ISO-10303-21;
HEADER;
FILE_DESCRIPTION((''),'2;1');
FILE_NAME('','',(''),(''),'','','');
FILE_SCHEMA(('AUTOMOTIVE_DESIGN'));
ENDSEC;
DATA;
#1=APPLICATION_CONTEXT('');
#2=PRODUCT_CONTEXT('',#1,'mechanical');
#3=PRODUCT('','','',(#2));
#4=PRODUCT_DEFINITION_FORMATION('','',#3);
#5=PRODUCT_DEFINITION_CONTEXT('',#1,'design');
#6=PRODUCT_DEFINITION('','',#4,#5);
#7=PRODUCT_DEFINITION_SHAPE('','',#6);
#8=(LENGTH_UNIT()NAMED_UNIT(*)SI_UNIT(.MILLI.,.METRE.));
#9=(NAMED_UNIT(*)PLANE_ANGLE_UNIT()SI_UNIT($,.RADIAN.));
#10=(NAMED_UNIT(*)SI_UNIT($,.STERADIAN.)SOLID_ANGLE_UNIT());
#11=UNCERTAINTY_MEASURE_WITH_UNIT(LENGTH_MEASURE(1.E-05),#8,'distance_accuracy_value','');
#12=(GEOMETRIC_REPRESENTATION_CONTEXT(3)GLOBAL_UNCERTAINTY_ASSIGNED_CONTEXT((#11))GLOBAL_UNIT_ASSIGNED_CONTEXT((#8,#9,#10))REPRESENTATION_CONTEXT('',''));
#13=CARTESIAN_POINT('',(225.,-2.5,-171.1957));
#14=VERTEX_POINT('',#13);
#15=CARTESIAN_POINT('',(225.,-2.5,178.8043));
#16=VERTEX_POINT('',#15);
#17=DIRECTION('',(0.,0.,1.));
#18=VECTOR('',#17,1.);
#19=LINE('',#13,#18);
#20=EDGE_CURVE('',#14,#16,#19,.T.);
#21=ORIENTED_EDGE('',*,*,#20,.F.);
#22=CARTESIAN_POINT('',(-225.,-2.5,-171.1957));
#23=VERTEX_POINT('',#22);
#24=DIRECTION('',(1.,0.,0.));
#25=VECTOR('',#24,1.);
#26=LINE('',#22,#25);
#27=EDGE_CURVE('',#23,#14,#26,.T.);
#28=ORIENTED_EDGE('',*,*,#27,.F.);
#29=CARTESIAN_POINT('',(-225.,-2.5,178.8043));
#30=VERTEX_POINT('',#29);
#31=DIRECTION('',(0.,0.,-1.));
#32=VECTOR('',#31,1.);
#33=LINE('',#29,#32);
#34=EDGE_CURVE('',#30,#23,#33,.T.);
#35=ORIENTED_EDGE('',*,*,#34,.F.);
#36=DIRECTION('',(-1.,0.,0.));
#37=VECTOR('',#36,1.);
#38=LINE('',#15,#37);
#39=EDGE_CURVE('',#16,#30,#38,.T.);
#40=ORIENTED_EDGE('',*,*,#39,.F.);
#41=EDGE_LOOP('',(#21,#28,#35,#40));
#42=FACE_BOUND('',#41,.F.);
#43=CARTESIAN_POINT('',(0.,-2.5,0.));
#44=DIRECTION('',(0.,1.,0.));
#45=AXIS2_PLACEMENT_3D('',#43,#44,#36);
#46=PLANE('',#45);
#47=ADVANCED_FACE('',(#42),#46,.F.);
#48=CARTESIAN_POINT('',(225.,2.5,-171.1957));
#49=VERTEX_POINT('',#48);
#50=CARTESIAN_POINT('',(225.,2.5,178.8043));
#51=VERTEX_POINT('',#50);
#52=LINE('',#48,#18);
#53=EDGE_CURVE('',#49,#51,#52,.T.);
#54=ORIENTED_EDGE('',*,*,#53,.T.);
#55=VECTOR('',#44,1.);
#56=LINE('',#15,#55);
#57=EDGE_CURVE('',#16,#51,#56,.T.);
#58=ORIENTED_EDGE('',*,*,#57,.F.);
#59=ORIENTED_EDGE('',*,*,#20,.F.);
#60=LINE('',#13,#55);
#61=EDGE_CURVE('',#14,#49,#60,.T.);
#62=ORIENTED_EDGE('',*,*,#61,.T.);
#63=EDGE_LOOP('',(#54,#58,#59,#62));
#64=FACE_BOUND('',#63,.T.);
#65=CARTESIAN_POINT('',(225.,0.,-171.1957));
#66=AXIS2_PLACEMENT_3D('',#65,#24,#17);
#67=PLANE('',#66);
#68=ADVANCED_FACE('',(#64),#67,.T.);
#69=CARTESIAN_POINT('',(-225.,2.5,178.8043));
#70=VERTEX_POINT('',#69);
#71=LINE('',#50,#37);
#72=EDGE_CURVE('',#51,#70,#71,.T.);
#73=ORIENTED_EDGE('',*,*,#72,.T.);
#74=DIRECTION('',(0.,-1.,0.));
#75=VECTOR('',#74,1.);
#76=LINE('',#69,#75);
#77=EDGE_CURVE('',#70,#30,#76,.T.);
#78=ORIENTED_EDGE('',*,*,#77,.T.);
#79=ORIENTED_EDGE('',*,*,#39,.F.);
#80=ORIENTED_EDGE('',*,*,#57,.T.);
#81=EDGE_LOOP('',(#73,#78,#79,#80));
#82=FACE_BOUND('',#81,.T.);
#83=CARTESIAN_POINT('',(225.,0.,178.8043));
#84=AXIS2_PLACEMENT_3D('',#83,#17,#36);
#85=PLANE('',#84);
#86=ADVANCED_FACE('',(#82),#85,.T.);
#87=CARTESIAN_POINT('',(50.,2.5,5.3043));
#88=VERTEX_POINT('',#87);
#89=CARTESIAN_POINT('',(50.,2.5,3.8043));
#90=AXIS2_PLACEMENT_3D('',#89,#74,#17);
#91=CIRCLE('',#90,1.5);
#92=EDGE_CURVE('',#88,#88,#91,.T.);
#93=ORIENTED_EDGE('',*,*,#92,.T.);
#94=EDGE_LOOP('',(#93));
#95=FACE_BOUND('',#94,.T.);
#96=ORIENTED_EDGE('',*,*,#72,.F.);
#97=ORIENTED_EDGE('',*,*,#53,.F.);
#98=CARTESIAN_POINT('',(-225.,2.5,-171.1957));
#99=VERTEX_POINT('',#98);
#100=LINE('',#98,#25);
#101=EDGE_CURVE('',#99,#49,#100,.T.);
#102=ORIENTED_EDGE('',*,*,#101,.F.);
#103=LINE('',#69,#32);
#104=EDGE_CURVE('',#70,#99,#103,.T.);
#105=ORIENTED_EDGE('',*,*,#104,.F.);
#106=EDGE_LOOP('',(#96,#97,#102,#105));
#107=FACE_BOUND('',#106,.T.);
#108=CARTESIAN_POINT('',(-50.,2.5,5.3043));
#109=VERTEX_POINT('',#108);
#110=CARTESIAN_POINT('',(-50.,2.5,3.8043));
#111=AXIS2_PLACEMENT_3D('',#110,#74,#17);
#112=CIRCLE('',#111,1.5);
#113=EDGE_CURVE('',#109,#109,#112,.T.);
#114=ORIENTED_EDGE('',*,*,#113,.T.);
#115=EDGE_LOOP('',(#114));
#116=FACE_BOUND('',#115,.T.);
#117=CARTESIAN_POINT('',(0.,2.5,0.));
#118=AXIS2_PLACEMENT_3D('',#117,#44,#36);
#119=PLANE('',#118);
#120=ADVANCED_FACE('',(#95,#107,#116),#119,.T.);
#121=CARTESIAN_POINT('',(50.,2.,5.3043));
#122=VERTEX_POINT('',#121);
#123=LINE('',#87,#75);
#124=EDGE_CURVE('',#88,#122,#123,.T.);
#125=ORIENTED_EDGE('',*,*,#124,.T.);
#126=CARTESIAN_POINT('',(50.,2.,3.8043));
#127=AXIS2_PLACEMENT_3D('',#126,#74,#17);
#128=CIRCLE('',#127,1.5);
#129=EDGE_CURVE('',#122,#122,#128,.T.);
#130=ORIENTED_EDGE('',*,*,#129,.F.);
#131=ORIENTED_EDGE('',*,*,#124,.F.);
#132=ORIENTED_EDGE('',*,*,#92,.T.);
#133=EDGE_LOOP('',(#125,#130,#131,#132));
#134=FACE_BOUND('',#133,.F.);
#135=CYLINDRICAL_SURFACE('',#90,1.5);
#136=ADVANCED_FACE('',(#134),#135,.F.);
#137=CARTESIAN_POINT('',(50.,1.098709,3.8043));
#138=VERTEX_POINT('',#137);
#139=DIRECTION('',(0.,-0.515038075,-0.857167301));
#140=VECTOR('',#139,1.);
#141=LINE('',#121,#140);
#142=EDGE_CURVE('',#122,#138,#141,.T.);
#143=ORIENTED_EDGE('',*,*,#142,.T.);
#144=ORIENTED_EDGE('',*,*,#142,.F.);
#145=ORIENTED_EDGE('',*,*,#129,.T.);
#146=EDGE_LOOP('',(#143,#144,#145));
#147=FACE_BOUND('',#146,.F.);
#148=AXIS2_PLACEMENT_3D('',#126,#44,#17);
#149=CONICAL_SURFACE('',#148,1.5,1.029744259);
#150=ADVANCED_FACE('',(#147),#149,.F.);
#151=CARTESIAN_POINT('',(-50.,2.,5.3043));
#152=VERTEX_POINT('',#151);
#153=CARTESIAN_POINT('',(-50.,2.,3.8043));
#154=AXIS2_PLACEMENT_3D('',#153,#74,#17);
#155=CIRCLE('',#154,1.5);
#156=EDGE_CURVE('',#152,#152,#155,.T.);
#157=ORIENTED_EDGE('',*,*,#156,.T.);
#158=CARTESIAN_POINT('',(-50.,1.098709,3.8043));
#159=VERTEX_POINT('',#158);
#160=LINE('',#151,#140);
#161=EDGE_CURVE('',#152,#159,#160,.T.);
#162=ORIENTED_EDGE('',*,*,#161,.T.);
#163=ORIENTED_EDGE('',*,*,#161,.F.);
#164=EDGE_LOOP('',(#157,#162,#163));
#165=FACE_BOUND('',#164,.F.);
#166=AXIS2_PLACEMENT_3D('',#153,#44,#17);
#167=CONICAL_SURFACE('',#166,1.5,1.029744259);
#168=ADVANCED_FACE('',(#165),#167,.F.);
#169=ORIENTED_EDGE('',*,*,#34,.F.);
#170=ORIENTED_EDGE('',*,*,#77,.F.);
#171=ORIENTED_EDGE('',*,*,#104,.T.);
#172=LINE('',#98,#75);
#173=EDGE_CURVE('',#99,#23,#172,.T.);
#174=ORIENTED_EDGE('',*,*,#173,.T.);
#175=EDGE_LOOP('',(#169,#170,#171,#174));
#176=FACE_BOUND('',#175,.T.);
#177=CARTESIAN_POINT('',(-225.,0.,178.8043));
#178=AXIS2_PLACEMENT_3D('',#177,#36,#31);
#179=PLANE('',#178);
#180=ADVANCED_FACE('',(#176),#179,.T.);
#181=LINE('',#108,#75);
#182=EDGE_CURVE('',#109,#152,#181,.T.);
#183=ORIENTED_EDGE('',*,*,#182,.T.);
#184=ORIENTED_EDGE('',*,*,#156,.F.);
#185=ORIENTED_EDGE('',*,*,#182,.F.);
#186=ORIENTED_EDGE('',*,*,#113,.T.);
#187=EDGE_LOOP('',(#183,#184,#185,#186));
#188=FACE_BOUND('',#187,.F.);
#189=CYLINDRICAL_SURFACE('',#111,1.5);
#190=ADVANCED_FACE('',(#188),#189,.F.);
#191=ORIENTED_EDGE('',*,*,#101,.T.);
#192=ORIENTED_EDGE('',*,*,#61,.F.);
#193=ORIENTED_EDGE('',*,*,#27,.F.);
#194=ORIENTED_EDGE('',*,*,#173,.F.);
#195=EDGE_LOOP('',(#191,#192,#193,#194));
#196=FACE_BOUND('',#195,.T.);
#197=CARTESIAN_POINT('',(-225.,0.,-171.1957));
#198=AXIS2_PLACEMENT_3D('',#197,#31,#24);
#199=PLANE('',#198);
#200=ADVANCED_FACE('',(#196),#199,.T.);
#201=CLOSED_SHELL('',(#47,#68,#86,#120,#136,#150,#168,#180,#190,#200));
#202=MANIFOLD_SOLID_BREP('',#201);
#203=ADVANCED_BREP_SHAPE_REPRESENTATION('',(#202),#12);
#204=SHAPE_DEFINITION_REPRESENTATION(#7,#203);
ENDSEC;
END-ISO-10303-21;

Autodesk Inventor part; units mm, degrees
ref_plane "YZ Plane" through (0, 0, 0) normal (1, 0, 0) x (0, 1, 0)
ref_plane "XZ Plane" through (0, 0, 0) normal (0, 1, 0) x (-1, 0, 0)
ref_plane "XY Plane" through (0, 0, 0) normal (0, 0, 1) x (1, 0, 0)
sketch "Sketch1" plane through (0, 0, 0) normal (0, 1, 0) x (-1, 0, 0)
  line L0 (-225, 178.8043) -> (225, 178.8043)
  line L1 (225, 178.8043) -> (225, -171.1957)
  line L2 (225, -171.1957) -> (-225, -171.1957)
  line L3 (-225, -171.1957) -> (-225, 178.8043)
  point P0 (0, 0)
  dimension "d14" = 450
  dimension "d15" = 350
extrude "Extrusion1" add sketch "Sketch1" along normal mid plane 5
sketch "Sketch2" plane through (0, 2.5, 0) normal (0, 1, 0) x (1, 0, 0)
  line L0 (225, 171.1957) -> (-225, 171.1957) projected
  point P0 (0, 0)
  point P1 (-50, -3.8043)
  point P2 (50, -3.8043)
  dimension "d16" = 175
  dimension "d17" = 175
  dimension "d18" = 100
hole "Hole1" at (-50, 2.5, 3.8043) at (50, 2.5, 3.8043) direction (0, -1, 0) diameter 3 depth 0.5 tip angle 118
properties part number "newmiddle" material "PMMA Plastic"
